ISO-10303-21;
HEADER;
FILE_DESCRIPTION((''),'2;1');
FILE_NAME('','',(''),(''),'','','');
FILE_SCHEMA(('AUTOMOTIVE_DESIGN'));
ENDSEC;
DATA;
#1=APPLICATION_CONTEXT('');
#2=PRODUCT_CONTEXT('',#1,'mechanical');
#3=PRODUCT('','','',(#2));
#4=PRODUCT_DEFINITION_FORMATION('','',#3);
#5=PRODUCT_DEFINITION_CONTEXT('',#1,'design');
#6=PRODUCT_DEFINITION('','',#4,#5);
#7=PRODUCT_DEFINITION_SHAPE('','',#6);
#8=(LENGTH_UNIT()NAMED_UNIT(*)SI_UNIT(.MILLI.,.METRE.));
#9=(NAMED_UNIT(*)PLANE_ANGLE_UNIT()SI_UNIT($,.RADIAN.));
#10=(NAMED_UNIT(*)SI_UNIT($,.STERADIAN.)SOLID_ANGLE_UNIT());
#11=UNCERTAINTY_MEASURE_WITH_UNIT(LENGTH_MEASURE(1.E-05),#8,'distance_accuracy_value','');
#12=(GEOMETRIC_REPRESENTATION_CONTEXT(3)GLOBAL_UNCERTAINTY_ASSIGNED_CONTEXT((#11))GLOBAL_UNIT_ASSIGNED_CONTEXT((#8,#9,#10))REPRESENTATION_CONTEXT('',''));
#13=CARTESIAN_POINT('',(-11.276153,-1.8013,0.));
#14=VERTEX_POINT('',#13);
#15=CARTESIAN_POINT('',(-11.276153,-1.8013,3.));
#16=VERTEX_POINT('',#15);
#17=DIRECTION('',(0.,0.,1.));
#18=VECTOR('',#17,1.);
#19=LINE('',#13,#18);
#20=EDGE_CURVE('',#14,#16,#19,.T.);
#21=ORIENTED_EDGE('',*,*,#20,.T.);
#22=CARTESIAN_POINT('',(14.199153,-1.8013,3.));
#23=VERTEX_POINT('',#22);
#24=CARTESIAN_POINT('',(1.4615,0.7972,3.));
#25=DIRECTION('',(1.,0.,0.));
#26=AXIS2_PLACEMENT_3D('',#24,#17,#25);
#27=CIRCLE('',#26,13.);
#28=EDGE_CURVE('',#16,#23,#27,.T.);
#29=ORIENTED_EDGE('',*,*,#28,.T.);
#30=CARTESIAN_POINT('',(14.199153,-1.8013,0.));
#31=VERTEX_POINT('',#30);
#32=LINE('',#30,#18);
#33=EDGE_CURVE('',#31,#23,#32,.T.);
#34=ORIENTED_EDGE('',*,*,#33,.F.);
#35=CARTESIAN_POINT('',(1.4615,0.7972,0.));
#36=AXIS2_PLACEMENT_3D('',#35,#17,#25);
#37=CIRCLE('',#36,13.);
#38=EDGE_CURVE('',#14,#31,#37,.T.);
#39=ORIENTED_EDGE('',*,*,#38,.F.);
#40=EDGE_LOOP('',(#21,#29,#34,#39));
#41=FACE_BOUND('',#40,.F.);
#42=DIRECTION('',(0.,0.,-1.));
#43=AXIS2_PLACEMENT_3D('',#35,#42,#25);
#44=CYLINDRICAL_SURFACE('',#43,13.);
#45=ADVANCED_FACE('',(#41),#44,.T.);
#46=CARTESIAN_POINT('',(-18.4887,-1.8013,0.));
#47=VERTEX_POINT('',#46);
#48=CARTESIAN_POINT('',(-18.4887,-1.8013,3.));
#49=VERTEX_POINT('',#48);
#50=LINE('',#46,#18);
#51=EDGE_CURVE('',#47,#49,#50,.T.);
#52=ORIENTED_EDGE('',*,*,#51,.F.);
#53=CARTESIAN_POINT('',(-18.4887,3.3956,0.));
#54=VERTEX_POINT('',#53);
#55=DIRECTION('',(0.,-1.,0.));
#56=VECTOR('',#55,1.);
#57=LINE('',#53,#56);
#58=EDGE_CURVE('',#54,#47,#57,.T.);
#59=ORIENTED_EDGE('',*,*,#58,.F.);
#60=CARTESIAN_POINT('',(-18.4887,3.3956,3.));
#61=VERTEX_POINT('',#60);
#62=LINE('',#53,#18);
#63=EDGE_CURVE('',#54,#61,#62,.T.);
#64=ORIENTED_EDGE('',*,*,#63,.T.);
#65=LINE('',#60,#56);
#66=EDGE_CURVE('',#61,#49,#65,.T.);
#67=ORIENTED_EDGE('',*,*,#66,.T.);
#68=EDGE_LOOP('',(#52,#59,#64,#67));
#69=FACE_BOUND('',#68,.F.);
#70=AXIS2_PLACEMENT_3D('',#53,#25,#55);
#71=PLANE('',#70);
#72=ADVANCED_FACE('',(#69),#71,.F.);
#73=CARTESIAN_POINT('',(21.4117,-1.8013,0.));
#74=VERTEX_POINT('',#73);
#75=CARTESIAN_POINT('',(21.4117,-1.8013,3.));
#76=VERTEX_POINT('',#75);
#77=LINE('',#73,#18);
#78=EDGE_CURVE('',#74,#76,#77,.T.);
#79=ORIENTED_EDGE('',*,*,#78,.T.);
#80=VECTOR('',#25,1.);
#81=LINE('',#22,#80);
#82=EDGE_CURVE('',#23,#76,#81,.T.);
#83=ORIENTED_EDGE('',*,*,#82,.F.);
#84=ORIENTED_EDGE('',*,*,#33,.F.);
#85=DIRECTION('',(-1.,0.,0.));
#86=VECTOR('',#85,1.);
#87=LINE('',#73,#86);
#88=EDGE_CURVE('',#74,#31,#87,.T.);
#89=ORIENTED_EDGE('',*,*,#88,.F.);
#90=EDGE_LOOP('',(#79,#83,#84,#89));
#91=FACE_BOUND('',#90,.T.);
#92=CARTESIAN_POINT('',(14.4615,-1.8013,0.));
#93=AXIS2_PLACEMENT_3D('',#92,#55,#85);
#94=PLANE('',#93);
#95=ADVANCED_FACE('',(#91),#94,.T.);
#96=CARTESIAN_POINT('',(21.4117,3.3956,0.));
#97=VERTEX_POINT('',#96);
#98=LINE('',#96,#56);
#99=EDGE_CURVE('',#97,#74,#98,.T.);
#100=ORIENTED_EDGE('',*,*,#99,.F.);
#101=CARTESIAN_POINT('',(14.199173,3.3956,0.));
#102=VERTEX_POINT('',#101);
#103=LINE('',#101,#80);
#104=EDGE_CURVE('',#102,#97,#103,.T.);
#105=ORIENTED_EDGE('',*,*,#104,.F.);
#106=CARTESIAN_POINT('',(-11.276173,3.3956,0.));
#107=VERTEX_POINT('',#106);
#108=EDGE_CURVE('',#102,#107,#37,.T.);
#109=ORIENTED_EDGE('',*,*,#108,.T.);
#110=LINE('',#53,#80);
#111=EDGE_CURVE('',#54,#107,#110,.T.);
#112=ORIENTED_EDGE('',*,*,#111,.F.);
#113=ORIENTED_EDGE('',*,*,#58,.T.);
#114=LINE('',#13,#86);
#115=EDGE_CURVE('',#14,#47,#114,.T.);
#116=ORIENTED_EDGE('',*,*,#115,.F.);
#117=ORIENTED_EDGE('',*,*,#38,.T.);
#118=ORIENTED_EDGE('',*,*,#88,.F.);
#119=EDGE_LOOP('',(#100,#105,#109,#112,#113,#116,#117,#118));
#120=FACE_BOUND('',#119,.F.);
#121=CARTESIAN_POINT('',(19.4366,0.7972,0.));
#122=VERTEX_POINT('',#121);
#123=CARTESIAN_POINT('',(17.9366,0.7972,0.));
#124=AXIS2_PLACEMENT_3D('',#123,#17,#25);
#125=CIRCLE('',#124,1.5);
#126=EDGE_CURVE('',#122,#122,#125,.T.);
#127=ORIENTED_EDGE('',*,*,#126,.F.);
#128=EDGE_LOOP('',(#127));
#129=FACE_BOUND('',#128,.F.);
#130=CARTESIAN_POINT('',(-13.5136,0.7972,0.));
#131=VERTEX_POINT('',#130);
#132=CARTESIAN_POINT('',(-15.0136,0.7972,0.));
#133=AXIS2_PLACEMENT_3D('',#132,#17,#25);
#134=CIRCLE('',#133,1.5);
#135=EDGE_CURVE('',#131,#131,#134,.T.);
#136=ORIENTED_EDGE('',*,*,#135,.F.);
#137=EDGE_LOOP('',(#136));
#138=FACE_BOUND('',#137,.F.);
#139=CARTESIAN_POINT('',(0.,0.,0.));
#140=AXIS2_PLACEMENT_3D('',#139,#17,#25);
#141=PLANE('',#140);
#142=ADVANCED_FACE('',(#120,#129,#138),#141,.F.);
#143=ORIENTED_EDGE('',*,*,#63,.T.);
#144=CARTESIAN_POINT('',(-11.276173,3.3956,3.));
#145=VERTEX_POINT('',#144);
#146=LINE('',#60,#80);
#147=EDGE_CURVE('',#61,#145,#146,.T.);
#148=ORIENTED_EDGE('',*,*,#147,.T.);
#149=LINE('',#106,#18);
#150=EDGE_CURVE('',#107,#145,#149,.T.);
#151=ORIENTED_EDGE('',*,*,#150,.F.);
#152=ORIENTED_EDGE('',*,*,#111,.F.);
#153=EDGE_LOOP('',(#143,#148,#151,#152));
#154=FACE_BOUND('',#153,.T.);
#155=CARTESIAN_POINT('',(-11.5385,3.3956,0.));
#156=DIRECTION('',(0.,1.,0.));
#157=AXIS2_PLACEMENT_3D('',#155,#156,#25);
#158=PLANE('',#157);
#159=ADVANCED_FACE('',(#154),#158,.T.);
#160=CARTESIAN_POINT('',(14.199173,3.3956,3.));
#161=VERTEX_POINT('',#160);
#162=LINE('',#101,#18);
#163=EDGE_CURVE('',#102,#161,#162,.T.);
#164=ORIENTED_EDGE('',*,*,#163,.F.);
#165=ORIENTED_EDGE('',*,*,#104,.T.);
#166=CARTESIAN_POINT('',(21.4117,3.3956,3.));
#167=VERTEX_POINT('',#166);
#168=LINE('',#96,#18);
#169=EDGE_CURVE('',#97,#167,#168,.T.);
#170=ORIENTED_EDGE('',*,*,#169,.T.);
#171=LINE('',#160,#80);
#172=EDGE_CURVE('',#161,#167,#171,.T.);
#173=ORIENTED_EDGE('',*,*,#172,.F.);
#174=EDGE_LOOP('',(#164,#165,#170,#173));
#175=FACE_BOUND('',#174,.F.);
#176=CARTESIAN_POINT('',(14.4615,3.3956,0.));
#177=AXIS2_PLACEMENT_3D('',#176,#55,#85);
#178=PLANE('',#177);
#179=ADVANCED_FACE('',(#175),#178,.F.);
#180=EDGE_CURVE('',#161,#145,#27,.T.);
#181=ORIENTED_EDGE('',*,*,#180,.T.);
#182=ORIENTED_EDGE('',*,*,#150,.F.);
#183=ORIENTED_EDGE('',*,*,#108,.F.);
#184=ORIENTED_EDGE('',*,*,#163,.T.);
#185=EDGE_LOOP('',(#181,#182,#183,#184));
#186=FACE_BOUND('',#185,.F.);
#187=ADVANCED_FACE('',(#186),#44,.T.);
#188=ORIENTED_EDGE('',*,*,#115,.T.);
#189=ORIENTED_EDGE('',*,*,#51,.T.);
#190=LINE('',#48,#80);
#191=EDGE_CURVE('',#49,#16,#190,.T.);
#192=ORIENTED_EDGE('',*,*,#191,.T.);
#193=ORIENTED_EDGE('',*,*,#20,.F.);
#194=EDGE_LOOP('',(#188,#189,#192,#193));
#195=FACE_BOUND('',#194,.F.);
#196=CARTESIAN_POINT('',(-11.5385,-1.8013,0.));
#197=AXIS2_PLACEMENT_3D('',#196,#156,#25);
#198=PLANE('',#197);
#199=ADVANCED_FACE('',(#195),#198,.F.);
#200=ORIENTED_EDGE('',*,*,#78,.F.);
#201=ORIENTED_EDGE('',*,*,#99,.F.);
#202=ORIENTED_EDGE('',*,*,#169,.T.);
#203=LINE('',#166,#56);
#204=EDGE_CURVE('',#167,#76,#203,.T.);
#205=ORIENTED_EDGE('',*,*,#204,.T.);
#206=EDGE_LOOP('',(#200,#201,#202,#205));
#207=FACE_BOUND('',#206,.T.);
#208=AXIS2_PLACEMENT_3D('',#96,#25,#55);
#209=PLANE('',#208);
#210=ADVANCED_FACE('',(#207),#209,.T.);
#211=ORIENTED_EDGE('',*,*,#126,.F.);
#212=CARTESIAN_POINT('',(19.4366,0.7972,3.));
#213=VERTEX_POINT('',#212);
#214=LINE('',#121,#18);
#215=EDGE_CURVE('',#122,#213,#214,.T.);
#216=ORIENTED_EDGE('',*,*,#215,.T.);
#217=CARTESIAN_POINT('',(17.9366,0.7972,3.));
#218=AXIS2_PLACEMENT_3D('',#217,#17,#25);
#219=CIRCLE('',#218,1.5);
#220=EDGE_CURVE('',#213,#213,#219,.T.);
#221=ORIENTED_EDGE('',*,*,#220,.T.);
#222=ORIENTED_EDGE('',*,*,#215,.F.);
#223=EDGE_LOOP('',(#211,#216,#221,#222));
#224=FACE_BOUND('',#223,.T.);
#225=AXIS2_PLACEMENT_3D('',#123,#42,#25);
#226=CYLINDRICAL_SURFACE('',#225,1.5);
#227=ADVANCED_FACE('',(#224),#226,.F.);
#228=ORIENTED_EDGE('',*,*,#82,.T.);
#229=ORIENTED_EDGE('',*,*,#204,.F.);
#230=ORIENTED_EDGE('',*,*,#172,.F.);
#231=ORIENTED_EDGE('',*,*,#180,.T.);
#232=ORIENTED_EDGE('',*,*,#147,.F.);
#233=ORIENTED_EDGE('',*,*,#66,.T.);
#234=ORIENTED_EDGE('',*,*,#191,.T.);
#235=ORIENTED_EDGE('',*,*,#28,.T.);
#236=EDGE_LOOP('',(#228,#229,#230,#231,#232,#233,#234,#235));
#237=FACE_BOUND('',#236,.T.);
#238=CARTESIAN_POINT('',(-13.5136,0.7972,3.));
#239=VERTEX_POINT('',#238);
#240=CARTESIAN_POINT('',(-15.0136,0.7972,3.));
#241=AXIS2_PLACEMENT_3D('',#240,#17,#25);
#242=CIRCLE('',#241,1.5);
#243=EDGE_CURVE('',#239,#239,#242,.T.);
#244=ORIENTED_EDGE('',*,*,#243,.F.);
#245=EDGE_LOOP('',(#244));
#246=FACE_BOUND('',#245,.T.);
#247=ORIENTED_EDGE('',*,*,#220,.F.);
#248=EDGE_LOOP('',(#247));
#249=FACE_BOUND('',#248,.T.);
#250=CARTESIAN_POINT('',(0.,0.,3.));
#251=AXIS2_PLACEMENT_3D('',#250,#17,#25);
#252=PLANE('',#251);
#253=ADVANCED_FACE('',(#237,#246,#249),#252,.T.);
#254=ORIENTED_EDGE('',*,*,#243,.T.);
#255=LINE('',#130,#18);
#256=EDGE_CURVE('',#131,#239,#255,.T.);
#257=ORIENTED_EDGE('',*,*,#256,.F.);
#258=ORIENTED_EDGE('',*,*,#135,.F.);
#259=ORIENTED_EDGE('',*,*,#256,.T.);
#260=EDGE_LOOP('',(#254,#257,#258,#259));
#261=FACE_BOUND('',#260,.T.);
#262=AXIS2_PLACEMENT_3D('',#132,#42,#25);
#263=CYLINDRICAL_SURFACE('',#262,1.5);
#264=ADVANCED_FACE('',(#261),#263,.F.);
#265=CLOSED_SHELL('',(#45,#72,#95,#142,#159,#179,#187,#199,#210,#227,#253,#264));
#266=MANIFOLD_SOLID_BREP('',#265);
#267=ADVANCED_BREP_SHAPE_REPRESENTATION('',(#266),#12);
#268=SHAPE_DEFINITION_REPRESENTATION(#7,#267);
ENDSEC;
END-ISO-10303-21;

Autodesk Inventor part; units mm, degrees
ref_plane "YZ Plane" through (0, 0, 0) normal (1, 0, 0) x (0, 1, 0)
ref_plane "XZ Plane" through (0, 0, 0) normal (0, 1, 0) x (-1, 0, 0)
ref_plane "XY Plane" through (0, 0, 0) normal (0, 0, 1) x (1, 0, 0)
sketch "Эскиз1" plane through (0, 0, 0) normal (0, 0, 1) x (1, 0, 0)
  circle A0 centre (-15.0136, 0.7972) radius 1.5
  circle A1 centre (1.4615, 9.7972) radius 1.5
  arc A2 (2.9102, -8.5917) -> (0.0128, -8.5917) centre (1.4615, -8.2028) ccw
  line L0 (1.4615, 9.7972) -> (1.4615, -8.2028)
  circle A3 centre (17.9366, 0.7972) radius 1.5
  line L1 (-18.4887, -1.8013) -> (-11.5385, -1.8013)
  line L2 (-11.5385, -1.8013) -> (-11.5385, 3.3956)
  line L3 (-11.5385, 3.3956) -> (-18.4887, 3.3956)
  line L4 (-18.4887, 3.3956) -> (-18.4887, -1.8013)
  line L5 (-18.4887, -1.8013) -> (-11.5385, 3.3956) construction
  line L6 (-11.5385, -1.8013) -> (-18.4887, 3.3956) construction
  line L7 (-11.5385, 3.3956) -> (-10.2292, 3.3956)
  circle A4 centre (1.4615, 0.7972) radius 13
  circle A5 centre (1.4615, 0.7972) radius 9.5
  line L8 (-11.5385, -1.8013) -> (-10.8839, -1.8013)
  circle A6 centre (17.9366, 0.7972) radius 1.5
  line L9 (21.4117, -1.8013) -> (14.4615, -1.8013)
  line L10 (14.4615, -1.8013) -> (14.4615, 3.3956)
  line L11 (14.4615, 3.3956) -> (21.4117, 3.3956)
  line L12 (21.4117, 3.3956) -> (21.4117, -1.8013)
  line L13 (21.4117, -1.8013) -> (14.4615, 3.3956) construction
  line L14 (14.4615, -1.8013) -> (21.4117, 3.3956) construction
  line L15 (14.4615, 3.3956) -> (13.1521, 3.3956)
  line L16 (14.4615, -1.8013) -> (13.8068, -1.8013)
  point P0 (0, 0)
  point P1 (14.1991, 3.3956)
  point P2 (-11.2762, 3.3956)
  point P3 (-11.2762, -1.8013)
  point P4 (14.1991, -1.8013)
  dimension "d0" = 3
extrude "Выдавливание1" add sketch "Эскиз1" along normal blind 3 contours A1 A5 | A1 A5 A2 L0 | A5 A1 | L0 A2 A5 A1 | A2 A5 | L4 L3 L2 L1 | L2 A4 L8 | L2 L7 A4 | A4 | A4 L10 L16 | L15 L10 A4 | L10 L11 L12 L9
properties part number "вт3"
